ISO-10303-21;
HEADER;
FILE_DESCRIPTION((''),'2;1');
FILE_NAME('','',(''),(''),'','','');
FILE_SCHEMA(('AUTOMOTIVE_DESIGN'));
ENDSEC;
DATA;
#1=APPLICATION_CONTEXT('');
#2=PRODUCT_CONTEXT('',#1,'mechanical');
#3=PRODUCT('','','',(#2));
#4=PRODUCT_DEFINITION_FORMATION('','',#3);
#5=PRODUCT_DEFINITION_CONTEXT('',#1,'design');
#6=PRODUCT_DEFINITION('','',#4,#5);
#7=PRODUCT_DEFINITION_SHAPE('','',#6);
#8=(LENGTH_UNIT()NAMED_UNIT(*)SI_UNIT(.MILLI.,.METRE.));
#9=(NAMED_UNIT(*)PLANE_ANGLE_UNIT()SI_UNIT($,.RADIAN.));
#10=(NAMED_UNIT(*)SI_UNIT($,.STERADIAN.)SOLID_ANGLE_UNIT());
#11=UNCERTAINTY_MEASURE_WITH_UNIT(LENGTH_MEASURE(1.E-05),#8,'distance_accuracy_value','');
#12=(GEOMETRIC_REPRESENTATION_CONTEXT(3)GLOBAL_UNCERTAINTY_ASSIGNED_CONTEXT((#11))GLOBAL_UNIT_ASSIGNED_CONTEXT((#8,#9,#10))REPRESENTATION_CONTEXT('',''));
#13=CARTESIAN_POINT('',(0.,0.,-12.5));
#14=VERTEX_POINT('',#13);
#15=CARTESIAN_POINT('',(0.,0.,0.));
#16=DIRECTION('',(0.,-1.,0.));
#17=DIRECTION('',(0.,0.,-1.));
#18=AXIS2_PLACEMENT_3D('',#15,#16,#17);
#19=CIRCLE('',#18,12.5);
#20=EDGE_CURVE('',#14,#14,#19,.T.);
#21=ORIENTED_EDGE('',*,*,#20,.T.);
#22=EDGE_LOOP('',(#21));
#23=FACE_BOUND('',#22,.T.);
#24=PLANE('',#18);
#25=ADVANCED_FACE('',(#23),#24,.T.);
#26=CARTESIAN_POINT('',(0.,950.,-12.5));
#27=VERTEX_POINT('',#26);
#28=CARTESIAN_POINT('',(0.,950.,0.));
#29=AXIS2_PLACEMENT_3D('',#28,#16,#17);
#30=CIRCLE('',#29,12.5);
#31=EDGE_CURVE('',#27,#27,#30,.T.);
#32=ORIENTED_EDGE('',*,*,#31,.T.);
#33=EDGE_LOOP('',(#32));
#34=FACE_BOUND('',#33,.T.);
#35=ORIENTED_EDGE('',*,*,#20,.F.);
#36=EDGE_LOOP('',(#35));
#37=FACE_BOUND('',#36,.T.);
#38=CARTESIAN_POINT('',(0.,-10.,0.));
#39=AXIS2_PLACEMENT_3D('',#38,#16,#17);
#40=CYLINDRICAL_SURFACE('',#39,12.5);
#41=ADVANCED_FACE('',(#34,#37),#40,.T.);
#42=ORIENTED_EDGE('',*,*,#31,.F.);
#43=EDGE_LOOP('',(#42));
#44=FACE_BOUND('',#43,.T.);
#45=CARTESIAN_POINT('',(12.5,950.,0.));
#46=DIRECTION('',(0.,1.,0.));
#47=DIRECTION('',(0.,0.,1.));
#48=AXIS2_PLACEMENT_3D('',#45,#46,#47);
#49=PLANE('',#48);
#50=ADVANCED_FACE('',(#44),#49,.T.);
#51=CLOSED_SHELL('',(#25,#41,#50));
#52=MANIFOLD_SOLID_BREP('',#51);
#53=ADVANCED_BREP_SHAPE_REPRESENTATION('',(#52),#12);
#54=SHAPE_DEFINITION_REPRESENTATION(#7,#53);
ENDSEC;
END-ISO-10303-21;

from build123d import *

# Parameters (mm, degrees)
SKETCH1_W = 12.5
SKETCH1_H = 950


with BuildPart() as part:
    # Sketch1 → Plain Central Support Pole (revolve)
    with BuildSketch(Plane.XY, mode=Mode.PRIVATE) as plain_central_support_pole_sk:
        with Locations((6.25, 475)):
            Rectangle(SKETCH1_W, SKETCH1_H)
    revolve(plain_central_support_pole_sk.sketch.rotate(Axis((0, -10, 0), (0, 1, 0)), 90), axis=Axis((0, -10, 0), (0, 1, 0)))


solid = part.part
